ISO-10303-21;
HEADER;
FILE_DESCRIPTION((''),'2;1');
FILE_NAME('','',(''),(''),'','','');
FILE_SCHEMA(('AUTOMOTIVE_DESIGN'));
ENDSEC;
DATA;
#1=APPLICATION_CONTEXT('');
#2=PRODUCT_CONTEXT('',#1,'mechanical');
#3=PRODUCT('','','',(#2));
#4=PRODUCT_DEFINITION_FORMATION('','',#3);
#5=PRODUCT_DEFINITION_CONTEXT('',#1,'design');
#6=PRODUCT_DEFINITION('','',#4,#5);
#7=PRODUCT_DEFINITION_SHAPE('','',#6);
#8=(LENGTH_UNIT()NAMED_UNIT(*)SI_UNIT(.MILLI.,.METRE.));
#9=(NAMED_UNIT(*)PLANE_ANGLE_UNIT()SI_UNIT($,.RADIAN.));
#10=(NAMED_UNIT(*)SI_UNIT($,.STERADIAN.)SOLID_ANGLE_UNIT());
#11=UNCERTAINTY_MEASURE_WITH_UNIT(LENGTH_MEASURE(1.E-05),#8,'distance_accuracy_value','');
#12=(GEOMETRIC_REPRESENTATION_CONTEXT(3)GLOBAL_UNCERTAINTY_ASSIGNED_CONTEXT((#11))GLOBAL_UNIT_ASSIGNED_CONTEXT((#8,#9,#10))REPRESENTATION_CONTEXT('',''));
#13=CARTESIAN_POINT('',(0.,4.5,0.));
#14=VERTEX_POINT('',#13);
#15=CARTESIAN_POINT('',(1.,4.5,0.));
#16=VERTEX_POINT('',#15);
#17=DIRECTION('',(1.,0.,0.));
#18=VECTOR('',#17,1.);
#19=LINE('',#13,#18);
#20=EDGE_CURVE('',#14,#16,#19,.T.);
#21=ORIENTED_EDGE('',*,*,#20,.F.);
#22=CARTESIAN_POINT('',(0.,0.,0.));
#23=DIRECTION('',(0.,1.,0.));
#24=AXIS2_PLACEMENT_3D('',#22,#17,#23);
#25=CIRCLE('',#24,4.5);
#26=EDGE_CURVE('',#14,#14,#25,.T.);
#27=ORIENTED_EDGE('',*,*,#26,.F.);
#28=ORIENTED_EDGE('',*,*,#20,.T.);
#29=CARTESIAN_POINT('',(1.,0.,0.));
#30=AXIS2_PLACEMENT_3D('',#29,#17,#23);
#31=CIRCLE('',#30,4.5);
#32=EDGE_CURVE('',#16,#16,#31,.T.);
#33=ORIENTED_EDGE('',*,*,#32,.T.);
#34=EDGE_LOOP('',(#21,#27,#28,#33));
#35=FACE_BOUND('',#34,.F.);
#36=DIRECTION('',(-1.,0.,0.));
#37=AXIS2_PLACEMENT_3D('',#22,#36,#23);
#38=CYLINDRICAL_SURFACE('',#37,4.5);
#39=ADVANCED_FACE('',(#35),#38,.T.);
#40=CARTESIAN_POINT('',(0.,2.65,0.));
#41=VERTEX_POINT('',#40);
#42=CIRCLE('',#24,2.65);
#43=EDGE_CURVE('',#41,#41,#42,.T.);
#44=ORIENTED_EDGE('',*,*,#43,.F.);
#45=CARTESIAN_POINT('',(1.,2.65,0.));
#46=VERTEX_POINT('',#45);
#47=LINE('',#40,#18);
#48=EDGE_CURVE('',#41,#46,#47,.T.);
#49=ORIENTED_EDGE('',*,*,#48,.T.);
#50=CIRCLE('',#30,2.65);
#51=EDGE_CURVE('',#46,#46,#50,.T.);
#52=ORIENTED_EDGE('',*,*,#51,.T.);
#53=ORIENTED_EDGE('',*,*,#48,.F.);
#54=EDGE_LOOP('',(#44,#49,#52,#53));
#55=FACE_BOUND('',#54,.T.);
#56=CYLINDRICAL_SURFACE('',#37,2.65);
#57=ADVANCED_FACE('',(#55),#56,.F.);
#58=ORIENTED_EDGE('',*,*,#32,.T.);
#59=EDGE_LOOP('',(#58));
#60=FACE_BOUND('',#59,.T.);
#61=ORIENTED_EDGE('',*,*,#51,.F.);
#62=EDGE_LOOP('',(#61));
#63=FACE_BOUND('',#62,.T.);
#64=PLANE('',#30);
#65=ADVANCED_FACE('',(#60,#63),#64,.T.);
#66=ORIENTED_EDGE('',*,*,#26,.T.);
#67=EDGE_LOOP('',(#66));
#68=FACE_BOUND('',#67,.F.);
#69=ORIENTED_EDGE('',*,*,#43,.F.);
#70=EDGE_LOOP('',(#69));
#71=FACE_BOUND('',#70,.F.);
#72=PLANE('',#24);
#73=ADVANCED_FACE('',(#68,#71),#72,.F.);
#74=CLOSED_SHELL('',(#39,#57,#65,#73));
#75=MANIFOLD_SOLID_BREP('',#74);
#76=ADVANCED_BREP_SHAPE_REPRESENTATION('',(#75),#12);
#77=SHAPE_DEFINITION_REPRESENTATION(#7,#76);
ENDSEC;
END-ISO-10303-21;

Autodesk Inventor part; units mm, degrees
ref_plane "YZ Plane" through (0, 0, 0) normal (1, 0, 0) x (0, 1, 0)
ref_plane "XZ Plane" through (0, 0, 0) normal (0, 1, 0) x (-1, 0, 0)
sketch "Skizze" plane through (0, 0, 0) normal (1, 0, 0) x (0, 1, 0)
  circle A0 centre (0, 0) radius 4.5
  circle A1 centre (0, 0) radius 2.65
  dimension "d0" = 5.3
  dimension "d1" = 9
extrude "Körper" add sketch "Skizze" along normal blind 1
ref_plane "Work Plane1" through (0, 0, 0) normal (0, 0, 1) x (1, 0, 0)
equation "\"d0\" = SD1"
equation "\"d1\" = SD2"
equation "\"d2\" = SD"
equation "\"SD1\" = 5.3"
equation "\"SD2\" = 9"
equation "\"SD\" = 1"
equation "\"NND\" = 5"
properties part number "DIN 433 - 5,3" material "Stahl, weich"
